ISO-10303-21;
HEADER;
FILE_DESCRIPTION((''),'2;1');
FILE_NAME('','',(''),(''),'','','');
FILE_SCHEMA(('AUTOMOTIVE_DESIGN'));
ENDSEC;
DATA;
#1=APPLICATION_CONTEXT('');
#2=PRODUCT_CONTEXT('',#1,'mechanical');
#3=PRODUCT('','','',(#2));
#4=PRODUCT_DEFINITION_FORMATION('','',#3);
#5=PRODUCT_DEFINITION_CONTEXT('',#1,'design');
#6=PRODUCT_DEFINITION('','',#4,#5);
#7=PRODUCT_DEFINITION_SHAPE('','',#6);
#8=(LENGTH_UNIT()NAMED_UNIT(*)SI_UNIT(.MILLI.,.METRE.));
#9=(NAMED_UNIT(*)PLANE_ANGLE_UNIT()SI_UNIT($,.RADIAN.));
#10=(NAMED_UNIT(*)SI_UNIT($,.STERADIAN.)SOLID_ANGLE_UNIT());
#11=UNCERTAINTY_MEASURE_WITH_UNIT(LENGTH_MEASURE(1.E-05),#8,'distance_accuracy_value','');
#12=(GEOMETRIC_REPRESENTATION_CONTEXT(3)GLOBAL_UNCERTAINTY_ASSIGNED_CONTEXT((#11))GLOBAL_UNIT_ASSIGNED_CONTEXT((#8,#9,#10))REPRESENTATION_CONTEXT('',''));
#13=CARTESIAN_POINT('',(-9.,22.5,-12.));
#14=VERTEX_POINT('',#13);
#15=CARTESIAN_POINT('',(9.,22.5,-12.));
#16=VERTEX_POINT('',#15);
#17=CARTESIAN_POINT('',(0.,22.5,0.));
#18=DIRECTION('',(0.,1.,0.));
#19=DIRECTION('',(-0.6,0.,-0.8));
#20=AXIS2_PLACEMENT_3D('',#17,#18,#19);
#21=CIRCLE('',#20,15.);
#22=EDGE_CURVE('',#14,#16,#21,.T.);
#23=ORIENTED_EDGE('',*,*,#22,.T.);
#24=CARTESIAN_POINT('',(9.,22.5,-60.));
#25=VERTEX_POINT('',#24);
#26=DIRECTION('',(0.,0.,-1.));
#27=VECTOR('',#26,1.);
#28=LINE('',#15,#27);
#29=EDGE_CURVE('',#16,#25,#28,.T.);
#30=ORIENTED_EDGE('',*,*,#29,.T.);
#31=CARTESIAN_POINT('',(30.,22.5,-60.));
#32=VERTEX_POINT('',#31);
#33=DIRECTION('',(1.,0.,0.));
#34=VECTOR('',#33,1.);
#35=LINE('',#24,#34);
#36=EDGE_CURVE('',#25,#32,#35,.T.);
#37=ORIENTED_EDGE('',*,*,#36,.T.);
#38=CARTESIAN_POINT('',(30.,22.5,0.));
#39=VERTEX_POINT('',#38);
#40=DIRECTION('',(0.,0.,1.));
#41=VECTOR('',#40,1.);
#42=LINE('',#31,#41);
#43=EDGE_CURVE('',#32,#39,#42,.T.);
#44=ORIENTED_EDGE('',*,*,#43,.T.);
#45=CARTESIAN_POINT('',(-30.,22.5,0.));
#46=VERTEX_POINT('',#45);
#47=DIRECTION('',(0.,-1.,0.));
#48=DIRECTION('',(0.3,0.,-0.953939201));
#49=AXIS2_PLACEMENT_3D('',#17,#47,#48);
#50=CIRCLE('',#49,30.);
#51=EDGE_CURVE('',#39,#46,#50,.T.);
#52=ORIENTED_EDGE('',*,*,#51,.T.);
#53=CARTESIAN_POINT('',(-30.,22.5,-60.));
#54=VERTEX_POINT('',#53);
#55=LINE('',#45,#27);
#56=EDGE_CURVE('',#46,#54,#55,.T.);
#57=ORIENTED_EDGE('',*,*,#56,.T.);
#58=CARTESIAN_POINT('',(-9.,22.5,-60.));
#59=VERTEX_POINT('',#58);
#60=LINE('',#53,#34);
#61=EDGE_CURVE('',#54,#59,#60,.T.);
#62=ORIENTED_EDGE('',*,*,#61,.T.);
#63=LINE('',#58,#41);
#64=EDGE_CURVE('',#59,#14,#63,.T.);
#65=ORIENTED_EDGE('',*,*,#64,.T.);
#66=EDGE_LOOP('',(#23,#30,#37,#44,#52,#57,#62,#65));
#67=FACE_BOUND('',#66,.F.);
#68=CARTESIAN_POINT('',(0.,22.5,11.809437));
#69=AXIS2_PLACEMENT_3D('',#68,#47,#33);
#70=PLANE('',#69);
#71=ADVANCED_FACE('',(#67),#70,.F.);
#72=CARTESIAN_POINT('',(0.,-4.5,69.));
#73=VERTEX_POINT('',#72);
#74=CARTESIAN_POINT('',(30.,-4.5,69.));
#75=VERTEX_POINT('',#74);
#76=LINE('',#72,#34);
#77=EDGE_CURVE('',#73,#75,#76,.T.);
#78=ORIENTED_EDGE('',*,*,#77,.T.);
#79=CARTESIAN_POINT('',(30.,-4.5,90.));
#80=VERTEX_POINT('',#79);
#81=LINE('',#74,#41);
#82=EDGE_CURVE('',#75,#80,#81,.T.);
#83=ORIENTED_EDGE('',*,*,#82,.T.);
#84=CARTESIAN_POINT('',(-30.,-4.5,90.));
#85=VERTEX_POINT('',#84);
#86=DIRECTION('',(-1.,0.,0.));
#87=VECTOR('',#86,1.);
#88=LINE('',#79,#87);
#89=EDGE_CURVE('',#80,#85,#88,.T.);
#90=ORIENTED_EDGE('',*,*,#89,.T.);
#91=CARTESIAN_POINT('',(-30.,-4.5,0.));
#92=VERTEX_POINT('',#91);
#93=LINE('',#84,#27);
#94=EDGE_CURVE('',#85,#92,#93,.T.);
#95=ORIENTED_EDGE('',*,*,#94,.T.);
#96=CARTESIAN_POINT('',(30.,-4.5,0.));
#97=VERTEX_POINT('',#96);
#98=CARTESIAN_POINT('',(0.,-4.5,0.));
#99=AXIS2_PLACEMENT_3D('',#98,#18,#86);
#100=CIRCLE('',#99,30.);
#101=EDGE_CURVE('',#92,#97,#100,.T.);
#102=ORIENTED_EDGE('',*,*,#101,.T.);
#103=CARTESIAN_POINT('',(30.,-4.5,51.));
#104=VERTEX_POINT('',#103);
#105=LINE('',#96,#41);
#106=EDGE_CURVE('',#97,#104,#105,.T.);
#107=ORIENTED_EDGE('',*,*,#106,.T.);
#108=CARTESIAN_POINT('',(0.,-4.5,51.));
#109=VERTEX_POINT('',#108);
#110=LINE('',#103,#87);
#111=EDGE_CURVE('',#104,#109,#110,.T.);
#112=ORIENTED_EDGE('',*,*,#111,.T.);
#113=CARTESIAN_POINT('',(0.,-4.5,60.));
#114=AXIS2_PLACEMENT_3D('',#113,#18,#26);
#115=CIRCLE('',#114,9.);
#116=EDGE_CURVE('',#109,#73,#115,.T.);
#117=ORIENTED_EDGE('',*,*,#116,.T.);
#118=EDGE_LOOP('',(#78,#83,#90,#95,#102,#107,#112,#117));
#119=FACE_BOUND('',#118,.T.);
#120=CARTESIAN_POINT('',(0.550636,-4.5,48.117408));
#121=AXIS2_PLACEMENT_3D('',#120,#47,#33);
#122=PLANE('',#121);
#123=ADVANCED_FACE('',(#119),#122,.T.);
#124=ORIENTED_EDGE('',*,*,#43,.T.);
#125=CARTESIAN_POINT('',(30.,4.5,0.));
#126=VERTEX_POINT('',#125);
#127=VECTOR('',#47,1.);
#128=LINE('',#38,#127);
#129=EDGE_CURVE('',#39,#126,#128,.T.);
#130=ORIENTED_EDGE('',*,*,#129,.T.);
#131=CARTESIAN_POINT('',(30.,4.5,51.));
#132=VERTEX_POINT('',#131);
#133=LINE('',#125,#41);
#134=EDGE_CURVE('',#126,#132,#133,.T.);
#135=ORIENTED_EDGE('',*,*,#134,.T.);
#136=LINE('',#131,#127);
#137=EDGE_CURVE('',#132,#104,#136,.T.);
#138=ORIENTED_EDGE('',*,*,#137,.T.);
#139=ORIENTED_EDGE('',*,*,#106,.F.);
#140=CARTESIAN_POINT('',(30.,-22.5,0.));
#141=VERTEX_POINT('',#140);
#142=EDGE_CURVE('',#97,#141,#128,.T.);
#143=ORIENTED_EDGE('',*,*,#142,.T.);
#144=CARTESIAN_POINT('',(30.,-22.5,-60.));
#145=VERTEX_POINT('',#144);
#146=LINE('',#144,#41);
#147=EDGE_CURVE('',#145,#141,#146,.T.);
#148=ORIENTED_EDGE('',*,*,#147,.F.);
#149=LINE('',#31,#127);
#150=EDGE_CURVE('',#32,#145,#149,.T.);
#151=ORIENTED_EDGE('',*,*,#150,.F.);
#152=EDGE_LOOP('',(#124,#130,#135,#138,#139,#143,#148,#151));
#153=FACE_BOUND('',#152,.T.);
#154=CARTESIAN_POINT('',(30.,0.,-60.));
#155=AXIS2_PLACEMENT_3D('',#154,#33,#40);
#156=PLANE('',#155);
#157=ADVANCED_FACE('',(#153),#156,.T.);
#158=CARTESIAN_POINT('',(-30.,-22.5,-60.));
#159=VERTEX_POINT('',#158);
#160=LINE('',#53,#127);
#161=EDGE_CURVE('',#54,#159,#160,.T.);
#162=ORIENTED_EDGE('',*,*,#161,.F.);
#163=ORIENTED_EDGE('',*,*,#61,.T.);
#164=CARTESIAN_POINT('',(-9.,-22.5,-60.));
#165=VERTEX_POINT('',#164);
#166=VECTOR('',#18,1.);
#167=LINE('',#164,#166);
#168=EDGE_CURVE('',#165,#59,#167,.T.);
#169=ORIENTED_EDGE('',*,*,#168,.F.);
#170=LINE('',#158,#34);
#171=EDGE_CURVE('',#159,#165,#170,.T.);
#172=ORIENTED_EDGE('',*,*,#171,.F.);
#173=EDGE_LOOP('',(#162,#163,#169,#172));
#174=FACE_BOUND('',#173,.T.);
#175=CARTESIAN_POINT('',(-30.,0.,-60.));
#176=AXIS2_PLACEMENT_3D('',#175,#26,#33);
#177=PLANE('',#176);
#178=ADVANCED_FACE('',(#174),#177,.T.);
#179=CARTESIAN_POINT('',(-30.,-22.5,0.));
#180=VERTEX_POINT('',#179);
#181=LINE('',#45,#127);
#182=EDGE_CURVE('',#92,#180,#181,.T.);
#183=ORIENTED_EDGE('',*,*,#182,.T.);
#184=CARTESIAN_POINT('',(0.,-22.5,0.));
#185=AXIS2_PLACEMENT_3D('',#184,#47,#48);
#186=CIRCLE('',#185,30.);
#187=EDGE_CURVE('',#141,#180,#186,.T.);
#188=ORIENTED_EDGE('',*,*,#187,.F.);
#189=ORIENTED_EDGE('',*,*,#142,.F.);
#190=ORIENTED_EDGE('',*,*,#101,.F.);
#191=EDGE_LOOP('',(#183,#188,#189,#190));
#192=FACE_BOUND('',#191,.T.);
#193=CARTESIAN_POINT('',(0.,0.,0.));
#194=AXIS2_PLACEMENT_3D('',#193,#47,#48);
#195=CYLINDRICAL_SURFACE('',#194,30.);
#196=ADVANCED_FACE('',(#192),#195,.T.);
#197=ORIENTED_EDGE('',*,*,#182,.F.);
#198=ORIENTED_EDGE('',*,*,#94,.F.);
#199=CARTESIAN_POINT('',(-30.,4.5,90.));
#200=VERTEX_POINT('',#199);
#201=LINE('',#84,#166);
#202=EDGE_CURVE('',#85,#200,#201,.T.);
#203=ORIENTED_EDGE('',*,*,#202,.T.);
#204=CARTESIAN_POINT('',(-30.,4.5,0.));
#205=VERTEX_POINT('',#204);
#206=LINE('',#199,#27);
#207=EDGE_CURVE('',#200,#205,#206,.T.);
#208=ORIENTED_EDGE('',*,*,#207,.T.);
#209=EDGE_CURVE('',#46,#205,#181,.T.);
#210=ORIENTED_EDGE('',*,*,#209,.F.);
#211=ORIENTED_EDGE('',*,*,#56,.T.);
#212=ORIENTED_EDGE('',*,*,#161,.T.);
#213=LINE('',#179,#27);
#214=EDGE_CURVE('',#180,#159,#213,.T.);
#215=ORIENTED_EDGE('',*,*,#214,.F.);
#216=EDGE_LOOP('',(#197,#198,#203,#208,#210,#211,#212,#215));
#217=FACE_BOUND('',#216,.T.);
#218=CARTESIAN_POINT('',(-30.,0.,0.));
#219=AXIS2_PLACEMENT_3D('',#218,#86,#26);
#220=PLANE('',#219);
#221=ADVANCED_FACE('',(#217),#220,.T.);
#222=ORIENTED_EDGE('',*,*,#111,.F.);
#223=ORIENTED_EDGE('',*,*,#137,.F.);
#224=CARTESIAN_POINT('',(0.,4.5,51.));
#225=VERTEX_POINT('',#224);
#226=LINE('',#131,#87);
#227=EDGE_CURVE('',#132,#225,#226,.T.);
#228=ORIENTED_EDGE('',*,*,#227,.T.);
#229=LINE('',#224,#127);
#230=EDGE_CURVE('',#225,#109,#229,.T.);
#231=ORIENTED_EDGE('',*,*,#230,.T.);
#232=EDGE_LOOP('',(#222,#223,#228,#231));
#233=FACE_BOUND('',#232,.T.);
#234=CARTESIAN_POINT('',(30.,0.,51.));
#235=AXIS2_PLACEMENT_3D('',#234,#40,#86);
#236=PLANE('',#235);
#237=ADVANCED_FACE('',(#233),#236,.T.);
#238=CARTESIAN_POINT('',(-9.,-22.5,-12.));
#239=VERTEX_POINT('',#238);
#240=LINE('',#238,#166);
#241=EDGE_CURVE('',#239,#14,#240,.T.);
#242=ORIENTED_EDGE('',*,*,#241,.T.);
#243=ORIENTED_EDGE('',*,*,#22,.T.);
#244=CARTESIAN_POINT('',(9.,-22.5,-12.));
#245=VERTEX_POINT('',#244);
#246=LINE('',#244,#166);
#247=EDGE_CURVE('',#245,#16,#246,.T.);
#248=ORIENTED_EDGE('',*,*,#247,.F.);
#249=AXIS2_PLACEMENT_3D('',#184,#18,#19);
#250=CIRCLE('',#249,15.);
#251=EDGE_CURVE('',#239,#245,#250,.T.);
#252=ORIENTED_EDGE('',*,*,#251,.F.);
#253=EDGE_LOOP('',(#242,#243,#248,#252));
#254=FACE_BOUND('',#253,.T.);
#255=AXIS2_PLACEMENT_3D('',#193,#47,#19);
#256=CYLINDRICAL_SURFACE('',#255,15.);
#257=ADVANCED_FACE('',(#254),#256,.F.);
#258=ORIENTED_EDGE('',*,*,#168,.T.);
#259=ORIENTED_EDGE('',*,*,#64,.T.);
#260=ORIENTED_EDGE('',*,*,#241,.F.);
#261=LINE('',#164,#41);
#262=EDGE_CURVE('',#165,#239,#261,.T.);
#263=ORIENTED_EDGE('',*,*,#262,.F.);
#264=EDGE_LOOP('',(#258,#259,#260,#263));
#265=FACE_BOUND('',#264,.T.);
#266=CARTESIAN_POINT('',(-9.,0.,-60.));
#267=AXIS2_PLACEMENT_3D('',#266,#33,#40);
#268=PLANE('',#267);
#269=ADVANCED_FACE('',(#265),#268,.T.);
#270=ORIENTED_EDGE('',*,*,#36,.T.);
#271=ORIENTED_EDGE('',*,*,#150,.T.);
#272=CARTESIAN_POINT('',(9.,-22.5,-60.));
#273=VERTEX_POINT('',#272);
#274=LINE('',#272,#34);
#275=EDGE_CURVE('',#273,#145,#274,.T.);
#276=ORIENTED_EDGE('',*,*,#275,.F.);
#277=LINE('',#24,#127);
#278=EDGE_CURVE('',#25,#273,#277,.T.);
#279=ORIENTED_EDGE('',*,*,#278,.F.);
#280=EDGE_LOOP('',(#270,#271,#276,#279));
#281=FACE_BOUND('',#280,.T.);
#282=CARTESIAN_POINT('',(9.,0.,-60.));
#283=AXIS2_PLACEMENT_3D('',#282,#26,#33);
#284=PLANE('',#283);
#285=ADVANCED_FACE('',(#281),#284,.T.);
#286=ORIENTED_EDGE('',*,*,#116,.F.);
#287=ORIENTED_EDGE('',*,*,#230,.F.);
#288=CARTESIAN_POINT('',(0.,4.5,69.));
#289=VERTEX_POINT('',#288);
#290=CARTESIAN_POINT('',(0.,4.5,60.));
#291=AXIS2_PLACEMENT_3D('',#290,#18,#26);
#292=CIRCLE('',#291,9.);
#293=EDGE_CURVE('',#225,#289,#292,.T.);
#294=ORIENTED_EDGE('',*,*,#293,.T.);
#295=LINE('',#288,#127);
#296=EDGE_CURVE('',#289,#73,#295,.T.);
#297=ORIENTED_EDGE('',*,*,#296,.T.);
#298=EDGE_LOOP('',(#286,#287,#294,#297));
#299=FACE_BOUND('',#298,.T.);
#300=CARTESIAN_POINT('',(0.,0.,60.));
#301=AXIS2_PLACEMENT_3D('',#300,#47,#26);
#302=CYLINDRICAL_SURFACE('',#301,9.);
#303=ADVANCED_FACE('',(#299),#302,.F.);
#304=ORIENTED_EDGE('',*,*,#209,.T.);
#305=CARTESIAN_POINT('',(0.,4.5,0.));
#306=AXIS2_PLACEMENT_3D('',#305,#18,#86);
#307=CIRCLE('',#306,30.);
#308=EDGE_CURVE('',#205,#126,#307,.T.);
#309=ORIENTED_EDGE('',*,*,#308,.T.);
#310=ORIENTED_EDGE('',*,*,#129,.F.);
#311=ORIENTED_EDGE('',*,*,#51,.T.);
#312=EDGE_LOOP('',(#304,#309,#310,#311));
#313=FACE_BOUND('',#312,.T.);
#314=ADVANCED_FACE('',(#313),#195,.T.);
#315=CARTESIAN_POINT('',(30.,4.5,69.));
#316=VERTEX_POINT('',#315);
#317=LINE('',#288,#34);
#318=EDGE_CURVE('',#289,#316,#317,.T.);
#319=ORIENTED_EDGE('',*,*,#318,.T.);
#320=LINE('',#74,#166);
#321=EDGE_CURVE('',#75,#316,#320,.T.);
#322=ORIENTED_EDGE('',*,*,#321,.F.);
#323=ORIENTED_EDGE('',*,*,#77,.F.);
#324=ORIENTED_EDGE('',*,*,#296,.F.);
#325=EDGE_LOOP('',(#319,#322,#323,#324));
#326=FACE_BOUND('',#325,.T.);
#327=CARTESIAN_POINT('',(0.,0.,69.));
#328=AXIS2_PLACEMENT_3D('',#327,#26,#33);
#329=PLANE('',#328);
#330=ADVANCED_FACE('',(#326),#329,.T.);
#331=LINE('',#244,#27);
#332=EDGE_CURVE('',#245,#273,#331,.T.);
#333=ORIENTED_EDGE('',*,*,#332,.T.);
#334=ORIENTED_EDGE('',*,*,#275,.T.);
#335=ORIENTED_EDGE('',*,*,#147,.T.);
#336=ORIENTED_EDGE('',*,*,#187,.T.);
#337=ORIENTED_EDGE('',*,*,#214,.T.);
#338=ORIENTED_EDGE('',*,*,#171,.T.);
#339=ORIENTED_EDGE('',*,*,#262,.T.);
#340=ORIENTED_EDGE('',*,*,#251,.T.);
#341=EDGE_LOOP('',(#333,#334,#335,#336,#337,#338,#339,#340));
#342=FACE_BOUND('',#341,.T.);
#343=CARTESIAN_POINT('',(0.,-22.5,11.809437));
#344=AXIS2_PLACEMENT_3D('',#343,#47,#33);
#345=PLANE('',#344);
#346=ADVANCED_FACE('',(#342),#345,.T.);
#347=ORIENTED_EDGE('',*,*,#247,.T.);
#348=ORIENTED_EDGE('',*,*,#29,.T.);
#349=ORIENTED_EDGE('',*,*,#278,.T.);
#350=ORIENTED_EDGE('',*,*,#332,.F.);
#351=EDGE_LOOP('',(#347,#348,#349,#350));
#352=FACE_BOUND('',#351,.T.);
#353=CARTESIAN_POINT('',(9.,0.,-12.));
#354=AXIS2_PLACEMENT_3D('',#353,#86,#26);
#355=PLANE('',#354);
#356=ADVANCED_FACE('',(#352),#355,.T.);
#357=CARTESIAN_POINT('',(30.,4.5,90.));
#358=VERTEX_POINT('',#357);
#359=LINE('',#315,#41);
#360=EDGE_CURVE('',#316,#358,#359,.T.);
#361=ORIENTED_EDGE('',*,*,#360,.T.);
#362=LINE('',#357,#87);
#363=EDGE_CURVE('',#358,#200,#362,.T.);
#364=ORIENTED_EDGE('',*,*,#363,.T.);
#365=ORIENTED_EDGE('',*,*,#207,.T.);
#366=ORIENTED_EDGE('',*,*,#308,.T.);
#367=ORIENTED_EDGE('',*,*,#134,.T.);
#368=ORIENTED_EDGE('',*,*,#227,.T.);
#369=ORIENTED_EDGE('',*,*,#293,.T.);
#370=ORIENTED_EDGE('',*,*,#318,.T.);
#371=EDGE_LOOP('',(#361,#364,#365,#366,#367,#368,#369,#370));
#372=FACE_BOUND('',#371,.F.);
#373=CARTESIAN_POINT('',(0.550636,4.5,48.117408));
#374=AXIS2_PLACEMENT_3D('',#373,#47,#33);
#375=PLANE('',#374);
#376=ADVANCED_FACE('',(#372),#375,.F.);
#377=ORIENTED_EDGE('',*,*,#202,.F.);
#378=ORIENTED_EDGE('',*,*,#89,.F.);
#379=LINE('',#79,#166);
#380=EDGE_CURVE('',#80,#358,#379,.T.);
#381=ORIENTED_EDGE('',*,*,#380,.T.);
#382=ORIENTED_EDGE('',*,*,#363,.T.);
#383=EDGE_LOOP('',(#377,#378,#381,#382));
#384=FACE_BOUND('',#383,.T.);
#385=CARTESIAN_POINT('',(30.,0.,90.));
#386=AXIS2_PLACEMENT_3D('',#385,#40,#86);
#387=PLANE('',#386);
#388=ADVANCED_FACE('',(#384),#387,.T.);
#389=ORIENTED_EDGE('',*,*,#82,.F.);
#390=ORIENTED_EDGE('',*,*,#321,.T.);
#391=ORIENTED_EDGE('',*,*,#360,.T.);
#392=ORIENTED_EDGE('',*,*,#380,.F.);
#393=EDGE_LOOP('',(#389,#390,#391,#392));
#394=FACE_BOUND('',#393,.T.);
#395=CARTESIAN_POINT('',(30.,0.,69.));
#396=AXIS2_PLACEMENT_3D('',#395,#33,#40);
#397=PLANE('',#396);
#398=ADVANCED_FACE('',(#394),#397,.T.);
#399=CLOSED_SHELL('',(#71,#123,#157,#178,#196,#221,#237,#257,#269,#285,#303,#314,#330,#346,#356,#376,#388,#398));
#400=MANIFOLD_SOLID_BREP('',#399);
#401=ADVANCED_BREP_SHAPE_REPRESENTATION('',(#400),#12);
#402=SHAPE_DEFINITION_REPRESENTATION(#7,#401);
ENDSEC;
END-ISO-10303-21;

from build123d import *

# Parameters (mm, degrees)
F1_DEPTH = 22.5
F3_DEPTH = 4.5


with BuildPart() as f1:
    # F0 (on Front) → F1 (new body, symmetric)
    with BuildSketch(Plane.XZ):
        with BuildLine():
            Line((-30, 0), (-15, 0))
            ThreePointArc((-15, 0), (0, 15), (15, 0))
            Line((15, 0), (30, 0))
            ThreePointArc((30, 0), (0, 30), (-30, 0))
        make_face()
        with BuildLine():
            ThreePointArc((15, 0), (13.416407865, -6.7082039325), (9, -12))
            Line((9, -12), (9, -28.6181760425))
            ThreePointArc((9, -28.6181760425), (24.1867732449, -17.7482393493), (30, 0))
            Line((30, 0), (15, 0))
        make_face()
        with BuildLine():
            Line((-9, -28.6181760425), (-9, -12))
            ThreePointArc((-9, -12), (-13.416407865, -6.7082039325), (-15, 0))
            Line((-15, 0), (-30, 0))
            ThreePointArc((-30, 0), (-24.1867732449, -17.7482393493), (-9, -28.6181760425))
        make_face()
        with BuildLine():
            Line((-9, -60), (-9, -28.6181760425))
            ThreePointArc((-9, -28.6181760425), (-24.1867732449, -17.7482393493), (-30, 0))
            Line((-30, 0), (-30, -60))
            Line((-30, -60), (-9, -60))
        make_face()
        with BuildLine():
            ThreePointArc((30, 0), (24.1867732449, -17.7482393493), (9, -28.6181760425))
            Line((9, -28.6181760425), (9, -60))
            Line((9, -60), (30, -60))
            Line((30, -60), (30, 0))
        make_face()
    extrude(amount=F1_DEPTH, both=True)

    # F2 (on Front) → F3 (join, symmetric)
    with BuildSketch(Plane.XZ):
        with BuildLine():
            Line((-30, 90), (-30, 0))
            ThreePointArc((-30, 0), (0, 30), (30, 0))
            Line((30, 0), (30, 51))
            Line((30, 51), (0, 51))
            ThreePointArc((0, 51), (-9, 60), (0, 69))
            Line((0, 69), (30, 69))
            Line((30, 69), (30, 90))
            Line((30, 90), (-30, 90))
        make_face()
    extrude(amount=F3_DEPTH, both=True)


solid = f1.part
